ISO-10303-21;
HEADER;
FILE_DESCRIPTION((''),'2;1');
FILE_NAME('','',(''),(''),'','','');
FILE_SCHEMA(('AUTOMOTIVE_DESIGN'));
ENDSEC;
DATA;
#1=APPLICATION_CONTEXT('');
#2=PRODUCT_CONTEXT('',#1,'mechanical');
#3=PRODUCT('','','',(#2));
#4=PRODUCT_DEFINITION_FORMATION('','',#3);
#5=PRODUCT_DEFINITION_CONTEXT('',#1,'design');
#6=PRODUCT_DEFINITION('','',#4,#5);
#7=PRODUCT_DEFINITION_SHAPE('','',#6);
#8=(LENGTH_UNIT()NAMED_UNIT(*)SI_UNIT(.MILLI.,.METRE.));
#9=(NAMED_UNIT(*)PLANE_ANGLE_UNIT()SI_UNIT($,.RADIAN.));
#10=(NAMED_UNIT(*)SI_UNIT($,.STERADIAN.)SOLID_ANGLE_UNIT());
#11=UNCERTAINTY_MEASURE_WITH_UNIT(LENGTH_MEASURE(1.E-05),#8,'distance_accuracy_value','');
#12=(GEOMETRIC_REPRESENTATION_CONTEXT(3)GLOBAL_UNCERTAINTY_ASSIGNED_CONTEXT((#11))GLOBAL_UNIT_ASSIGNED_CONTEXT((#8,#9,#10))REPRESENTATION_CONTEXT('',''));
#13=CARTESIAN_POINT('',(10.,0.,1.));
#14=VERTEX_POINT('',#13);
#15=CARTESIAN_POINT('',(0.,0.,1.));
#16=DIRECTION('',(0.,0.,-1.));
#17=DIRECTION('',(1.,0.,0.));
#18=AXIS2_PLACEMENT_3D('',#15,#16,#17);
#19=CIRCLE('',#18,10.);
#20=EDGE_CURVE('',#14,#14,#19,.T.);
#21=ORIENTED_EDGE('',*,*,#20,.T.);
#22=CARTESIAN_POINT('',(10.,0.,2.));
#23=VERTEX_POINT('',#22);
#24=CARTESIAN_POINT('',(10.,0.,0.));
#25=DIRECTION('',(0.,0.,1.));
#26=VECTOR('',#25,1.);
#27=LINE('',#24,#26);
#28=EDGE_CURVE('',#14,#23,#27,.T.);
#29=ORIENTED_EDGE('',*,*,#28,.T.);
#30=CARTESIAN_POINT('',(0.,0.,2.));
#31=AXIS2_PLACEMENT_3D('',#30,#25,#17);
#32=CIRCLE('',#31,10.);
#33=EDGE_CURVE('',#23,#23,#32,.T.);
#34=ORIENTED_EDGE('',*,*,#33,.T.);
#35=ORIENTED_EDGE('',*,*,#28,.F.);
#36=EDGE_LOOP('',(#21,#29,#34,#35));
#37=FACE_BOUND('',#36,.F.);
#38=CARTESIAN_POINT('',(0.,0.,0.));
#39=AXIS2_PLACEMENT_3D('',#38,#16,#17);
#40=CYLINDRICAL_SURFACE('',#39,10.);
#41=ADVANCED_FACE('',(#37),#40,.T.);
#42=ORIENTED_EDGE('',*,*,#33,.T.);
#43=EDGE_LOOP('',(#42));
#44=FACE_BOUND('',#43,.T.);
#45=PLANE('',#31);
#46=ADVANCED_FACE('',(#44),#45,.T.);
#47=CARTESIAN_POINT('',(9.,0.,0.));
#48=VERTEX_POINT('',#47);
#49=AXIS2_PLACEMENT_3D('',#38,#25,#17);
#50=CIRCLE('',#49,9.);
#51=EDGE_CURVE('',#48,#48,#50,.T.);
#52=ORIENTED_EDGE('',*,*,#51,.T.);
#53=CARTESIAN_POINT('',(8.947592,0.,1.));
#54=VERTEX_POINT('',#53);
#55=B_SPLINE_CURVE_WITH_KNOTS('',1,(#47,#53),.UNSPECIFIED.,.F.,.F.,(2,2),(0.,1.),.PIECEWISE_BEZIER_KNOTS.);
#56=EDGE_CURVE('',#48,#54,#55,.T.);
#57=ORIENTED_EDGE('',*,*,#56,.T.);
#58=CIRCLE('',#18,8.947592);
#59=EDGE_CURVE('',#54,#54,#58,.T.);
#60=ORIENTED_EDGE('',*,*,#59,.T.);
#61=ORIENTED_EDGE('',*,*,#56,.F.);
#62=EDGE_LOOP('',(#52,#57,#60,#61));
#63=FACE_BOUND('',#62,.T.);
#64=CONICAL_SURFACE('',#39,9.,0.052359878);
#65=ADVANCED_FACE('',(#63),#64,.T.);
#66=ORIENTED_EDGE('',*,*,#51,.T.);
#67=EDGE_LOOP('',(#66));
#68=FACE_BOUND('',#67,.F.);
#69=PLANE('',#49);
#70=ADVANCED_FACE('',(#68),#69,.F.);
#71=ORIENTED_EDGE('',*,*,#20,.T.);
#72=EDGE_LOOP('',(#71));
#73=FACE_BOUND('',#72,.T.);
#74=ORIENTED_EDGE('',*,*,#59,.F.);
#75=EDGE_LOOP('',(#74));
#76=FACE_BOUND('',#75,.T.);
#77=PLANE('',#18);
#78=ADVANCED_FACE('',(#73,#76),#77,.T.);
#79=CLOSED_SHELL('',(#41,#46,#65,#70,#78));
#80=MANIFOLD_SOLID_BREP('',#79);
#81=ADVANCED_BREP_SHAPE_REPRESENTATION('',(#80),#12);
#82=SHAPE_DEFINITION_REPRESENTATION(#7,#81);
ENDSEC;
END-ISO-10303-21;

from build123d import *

# Parameters (mm, degrees)
F0_R     = 10
F1_DEPTH = 2
F2_R     = 10
F2_R_2   = 9
F3_DEPTH = 1
F3_TAPER = -3


with BuildPart() as f1:
    # F0 (on Top) → F1 (new body)
    with BuildSketch(Plane.XY):
        Circle(F0_R)
    extrude(amount=F1_DEPTH)

    # F2 (on face) → F3 (cut)
    with BuildSketch(Plane(origin=(0, 0, 0), x_dir=(1, 0, 0), z_dir=(0, 0, -1))):
        Circle(F2_R)
        Circle(F2_R_2, mode=Mode.SUBTRACT)
    extrude(amount=-F3_DEPTH, taper=F3_TAPER, mode=Mode.SUBTRACT)


solid = f1.part
